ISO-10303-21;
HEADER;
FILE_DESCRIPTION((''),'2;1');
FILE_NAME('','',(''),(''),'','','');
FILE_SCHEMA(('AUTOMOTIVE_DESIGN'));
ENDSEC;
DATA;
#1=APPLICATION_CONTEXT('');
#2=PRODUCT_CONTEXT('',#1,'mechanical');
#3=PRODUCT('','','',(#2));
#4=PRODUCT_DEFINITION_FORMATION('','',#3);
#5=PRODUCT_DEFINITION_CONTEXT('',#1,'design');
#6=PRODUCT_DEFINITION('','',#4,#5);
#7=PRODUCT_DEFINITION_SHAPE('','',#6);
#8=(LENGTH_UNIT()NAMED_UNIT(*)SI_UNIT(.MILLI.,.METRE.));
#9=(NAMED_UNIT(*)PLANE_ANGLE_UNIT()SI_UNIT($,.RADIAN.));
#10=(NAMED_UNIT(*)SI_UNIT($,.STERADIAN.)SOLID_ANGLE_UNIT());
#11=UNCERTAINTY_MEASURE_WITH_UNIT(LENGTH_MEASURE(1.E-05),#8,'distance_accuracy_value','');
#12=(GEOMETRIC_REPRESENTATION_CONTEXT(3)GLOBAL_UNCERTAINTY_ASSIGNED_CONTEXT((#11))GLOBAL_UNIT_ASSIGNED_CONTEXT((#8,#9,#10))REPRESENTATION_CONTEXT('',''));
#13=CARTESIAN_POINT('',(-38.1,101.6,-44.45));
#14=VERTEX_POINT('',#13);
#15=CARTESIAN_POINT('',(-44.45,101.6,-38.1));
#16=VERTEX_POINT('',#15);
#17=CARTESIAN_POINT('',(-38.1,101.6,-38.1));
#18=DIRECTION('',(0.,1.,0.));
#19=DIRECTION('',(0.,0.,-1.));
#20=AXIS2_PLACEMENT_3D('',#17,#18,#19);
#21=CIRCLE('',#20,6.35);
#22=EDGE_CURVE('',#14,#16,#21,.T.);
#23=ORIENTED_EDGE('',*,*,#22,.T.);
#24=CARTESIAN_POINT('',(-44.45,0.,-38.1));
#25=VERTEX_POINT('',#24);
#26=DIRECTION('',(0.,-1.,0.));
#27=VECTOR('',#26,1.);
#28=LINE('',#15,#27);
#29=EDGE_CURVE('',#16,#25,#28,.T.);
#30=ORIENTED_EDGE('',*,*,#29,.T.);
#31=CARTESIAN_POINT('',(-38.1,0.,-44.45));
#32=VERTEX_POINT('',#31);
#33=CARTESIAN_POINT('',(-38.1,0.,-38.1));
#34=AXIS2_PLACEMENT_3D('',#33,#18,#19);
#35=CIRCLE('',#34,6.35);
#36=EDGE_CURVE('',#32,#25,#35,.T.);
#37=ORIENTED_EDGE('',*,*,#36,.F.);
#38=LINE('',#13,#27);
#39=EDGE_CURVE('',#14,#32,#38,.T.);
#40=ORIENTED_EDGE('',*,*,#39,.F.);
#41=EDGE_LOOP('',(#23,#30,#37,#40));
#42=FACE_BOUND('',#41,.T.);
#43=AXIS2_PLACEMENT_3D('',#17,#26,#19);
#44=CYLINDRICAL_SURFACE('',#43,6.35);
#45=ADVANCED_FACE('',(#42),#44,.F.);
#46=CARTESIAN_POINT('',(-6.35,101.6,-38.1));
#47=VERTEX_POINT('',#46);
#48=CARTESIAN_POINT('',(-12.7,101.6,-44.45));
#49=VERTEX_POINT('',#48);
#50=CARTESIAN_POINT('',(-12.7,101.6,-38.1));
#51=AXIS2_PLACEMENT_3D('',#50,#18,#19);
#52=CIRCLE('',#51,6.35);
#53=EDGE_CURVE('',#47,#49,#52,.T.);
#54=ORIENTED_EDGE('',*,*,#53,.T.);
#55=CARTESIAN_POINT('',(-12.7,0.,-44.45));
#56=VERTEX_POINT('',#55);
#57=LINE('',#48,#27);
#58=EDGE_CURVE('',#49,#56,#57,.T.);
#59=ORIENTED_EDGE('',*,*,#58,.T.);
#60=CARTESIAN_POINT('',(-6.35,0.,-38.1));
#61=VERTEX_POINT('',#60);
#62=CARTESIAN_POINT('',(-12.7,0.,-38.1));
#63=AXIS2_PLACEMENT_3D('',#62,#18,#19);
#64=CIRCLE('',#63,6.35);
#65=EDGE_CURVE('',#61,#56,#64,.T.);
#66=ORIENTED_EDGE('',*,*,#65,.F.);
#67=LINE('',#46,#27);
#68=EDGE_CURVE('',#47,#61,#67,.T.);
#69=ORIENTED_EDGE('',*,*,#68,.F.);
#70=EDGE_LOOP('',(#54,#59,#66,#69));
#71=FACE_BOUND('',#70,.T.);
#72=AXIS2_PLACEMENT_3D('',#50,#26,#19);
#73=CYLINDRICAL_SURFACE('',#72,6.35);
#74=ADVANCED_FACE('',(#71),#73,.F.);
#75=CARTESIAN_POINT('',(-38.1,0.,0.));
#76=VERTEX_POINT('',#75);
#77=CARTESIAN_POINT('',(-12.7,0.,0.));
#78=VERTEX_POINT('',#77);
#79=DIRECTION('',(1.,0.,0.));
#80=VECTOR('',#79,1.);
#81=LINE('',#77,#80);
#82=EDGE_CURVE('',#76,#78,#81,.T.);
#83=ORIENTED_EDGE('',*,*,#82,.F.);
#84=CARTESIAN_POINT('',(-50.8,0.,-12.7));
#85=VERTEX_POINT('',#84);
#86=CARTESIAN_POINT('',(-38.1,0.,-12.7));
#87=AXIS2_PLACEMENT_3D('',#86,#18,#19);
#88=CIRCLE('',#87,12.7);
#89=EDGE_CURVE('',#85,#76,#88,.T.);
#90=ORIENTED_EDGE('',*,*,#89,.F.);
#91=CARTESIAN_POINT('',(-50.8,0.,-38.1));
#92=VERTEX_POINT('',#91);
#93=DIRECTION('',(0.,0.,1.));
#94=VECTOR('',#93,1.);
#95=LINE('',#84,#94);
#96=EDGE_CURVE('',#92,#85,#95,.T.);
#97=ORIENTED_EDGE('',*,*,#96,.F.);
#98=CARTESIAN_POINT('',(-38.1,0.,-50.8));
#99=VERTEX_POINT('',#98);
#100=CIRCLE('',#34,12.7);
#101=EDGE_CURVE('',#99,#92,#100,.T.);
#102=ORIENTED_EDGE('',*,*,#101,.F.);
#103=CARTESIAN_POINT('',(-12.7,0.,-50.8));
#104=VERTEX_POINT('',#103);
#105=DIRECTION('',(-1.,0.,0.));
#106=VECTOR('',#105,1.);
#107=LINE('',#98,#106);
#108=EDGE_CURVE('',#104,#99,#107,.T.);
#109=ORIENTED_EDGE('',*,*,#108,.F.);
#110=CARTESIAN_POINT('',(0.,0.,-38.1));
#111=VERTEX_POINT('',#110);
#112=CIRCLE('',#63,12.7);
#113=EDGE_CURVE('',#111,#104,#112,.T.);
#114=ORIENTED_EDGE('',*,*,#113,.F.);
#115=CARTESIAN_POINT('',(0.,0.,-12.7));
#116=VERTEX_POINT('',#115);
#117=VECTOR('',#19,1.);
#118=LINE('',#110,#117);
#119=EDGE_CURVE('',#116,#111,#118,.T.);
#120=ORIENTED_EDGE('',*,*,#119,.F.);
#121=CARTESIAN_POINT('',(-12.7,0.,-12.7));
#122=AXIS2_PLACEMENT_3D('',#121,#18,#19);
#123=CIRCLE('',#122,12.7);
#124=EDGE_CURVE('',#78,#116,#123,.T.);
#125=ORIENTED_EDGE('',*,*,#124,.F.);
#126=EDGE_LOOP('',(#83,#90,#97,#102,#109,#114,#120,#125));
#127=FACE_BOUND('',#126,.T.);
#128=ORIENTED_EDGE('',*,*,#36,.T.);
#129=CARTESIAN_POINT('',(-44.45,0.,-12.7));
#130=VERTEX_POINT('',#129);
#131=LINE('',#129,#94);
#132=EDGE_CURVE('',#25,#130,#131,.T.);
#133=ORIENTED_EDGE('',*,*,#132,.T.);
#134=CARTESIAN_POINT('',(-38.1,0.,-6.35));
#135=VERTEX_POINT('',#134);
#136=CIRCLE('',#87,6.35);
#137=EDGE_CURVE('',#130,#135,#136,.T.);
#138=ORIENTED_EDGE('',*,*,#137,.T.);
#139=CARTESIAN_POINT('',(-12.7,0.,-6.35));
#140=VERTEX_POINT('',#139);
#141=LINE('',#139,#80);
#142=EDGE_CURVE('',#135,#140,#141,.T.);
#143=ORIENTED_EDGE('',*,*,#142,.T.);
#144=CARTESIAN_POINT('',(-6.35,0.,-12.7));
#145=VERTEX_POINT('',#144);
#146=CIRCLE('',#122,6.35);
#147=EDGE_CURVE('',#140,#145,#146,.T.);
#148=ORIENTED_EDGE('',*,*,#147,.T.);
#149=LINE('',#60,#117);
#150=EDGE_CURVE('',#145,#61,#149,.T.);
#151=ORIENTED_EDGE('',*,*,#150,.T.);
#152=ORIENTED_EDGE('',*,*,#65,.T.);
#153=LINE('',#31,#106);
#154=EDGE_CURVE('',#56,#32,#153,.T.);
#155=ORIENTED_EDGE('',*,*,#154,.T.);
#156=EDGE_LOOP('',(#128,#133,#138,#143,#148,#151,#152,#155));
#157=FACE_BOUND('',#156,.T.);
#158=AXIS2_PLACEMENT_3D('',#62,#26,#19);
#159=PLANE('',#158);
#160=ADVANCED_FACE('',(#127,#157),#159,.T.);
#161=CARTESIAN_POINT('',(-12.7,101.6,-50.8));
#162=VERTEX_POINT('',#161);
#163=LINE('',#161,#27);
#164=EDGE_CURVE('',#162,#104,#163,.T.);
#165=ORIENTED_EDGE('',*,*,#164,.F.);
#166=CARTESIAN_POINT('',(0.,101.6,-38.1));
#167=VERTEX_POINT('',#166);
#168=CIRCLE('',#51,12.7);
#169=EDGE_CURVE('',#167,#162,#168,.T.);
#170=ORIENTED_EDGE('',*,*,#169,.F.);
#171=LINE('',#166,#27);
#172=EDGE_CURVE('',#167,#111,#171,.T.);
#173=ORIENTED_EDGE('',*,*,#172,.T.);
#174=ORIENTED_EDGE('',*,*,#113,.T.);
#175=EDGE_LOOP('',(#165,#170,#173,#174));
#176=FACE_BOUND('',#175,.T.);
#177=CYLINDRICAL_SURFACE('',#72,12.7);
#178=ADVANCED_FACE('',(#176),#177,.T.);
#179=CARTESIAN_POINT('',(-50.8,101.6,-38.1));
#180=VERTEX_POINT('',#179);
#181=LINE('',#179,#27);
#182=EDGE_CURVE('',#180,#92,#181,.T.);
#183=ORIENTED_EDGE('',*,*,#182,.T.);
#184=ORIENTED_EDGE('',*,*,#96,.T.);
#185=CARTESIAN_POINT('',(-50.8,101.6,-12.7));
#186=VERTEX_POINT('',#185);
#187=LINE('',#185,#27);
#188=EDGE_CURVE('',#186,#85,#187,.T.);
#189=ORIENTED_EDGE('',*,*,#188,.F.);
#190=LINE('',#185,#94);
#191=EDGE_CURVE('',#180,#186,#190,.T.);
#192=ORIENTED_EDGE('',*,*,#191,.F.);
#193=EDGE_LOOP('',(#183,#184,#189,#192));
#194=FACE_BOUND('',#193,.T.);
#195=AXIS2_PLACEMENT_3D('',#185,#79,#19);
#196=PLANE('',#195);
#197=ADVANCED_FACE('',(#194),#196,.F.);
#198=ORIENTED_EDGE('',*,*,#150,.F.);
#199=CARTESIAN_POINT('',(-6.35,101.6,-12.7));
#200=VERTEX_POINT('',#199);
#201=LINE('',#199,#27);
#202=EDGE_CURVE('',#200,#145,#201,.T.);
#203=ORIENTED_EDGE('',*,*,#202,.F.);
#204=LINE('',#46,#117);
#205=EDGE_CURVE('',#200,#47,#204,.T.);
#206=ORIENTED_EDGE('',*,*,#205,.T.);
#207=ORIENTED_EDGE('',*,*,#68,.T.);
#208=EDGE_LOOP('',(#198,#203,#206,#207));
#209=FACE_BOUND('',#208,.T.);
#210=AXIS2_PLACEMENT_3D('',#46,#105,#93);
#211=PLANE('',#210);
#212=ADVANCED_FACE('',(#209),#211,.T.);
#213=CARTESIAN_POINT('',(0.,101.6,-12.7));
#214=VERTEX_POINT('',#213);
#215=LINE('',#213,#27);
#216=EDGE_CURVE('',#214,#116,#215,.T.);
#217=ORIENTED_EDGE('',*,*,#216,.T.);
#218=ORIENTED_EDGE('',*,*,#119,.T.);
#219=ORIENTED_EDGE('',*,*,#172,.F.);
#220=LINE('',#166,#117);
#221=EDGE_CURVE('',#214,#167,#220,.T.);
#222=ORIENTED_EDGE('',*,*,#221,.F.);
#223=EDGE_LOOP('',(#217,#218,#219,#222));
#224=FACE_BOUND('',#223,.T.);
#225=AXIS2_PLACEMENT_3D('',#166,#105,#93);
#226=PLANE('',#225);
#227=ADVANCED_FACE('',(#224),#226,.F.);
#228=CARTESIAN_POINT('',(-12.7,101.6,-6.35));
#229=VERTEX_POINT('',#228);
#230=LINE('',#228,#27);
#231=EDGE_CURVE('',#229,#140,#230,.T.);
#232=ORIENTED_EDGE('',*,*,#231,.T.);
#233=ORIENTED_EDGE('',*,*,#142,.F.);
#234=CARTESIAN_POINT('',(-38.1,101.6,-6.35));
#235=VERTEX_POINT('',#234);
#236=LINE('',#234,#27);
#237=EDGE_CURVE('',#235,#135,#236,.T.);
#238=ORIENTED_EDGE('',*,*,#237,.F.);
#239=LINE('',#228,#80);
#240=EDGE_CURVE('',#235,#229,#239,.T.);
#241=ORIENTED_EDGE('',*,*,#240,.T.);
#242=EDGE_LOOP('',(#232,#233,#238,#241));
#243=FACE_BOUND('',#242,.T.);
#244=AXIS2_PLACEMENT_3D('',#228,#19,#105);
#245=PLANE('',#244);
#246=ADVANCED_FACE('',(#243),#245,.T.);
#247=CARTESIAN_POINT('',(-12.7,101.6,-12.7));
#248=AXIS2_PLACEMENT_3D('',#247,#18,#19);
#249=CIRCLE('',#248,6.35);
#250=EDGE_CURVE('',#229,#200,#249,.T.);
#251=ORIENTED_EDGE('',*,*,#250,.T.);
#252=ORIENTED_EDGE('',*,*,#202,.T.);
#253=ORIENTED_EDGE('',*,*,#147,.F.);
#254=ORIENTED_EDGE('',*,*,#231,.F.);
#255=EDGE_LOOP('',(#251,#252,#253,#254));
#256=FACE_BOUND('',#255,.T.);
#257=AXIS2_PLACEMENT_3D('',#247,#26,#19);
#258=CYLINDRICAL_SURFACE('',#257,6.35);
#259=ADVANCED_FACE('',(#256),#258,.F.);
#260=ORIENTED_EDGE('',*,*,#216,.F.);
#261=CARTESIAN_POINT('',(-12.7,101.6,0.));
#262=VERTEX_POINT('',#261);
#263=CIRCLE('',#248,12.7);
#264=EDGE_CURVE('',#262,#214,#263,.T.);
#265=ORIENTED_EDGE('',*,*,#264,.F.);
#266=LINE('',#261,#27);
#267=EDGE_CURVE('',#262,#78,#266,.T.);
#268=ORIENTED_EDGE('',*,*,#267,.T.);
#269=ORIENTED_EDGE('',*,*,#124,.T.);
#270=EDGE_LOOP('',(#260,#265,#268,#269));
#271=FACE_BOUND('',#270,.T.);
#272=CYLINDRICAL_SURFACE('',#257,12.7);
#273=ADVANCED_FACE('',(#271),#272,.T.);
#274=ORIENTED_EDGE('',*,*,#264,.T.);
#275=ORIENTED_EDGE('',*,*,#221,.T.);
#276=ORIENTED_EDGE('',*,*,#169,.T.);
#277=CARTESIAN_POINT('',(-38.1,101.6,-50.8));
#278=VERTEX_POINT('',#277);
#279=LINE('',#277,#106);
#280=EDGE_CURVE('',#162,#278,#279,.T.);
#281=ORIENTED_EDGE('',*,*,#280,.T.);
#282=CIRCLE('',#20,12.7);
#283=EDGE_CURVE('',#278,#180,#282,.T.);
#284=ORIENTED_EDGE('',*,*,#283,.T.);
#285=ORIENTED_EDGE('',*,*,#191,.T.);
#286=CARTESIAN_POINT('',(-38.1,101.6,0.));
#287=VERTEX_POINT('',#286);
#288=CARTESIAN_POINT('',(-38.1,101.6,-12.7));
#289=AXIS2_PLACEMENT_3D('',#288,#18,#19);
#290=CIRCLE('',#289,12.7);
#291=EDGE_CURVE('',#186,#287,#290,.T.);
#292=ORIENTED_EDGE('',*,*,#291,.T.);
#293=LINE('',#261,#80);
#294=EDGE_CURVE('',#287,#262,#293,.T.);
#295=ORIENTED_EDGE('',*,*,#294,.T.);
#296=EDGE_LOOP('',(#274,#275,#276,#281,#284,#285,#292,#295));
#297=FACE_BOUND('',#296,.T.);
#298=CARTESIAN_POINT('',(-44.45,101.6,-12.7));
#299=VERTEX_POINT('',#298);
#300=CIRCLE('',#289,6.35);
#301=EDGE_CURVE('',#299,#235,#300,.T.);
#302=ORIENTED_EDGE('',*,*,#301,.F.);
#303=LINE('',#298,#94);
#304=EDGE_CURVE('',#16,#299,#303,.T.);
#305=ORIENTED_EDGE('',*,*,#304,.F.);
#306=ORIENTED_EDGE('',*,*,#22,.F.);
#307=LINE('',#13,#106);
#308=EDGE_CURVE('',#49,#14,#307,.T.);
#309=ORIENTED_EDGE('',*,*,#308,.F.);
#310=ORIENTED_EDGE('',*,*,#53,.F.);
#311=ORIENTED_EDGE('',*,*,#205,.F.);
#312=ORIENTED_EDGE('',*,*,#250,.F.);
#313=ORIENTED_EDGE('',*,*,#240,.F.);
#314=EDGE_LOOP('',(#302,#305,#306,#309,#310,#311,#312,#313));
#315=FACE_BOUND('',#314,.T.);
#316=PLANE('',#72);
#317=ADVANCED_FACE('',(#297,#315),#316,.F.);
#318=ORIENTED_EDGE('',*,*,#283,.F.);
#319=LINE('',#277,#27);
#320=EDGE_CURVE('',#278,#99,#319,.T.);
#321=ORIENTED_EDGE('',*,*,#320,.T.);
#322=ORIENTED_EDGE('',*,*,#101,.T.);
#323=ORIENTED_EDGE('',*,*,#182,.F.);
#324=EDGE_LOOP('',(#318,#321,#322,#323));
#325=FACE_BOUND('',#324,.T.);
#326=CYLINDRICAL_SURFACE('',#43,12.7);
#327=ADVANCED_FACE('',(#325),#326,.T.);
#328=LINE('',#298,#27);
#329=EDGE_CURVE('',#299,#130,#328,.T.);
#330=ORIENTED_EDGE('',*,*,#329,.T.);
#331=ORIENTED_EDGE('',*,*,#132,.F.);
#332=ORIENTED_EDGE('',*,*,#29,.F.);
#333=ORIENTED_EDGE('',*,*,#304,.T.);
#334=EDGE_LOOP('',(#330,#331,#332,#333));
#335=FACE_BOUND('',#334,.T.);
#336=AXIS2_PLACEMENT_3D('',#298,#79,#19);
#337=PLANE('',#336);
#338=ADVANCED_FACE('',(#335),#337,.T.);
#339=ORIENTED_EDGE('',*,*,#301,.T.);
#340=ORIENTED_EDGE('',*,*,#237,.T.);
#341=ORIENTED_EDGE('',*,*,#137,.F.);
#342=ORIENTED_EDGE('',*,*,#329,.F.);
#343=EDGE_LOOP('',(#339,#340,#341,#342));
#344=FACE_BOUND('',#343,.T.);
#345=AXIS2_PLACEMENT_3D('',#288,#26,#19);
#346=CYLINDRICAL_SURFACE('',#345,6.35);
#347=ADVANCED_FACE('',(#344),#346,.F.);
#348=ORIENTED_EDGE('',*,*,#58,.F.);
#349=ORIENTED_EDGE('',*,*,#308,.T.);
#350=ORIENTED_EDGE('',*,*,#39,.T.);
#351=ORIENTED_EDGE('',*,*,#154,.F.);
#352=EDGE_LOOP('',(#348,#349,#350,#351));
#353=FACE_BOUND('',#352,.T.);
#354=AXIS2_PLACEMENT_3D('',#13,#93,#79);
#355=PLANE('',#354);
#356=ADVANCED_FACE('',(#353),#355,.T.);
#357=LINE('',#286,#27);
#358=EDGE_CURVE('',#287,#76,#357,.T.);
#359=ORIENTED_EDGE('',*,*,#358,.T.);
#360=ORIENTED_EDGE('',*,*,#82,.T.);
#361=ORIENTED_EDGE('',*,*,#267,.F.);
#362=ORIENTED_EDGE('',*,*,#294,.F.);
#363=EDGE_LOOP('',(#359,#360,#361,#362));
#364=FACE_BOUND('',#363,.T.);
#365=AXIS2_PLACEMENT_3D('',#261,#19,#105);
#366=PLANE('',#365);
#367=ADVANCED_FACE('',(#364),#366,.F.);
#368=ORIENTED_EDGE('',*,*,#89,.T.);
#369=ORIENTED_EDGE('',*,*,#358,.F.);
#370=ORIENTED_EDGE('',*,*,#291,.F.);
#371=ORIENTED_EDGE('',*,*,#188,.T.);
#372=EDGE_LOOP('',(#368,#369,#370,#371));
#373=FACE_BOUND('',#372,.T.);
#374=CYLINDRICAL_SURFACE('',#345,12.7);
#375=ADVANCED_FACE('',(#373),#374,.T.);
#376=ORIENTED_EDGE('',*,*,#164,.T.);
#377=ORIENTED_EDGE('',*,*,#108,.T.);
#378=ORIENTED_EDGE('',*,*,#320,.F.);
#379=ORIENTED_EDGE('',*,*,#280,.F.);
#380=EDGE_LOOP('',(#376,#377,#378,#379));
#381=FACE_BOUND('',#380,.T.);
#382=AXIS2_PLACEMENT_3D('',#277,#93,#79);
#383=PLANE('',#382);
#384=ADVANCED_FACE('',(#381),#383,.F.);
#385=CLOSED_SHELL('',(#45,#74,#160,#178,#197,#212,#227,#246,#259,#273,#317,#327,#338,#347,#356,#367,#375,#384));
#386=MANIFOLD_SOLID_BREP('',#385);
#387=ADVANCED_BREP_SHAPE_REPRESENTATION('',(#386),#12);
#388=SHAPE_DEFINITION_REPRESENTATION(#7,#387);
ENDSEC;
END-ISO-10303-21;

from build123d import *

# Parameters (mm, degrees)
BOSS_EXTRUDE1_DEPTH = 101.6


with BuildPart() as part:
    # Sketch1 → Boss-Extrude1 (new body)
    with BuildSketch(Plane(origin=(0, 0, 0), x_dir=(1, 0, 0), z_dir=(0, 1, 0))):
        with BuildLine():
            Line((-12.7, 0), (-38.1, 0))
            ThreePointArc((-38.1, 0), (-47.080256121, 3.719743879), (-50.8, 12.7))
            Line((-50.8, 12.7), (-50.8, 38.1))
            ThreePointArc((-50.8, 38.1), (-47.080256121, 47.080256121), (-38.1, 50.8))
            Line((-38.1, 50.8), (-12.7, 50.8))
            ThreePointArc((-12.7, 50.8), (-3.719743879, 47.080256121), (0, 38.1))
            Line((0, 38.1), (0, 12.7))
            ThreePointArc((0, 12.7), (-3.719743879, 3.719743879), (-12.7, 0))
        make_face()
        with BuildLine():
            Line((-12.7, 6.35), (-38.1, 6.35))
            ThreePointArc((-38.1, 6.35), (-42.590128061, 8.209871939), (-44.45, 12.7))
            Line((-44.45, 12.7), (-44.45, 38.1))
            ThreePointArc((-44.45, 38.1), (-42.590128061, 42.590128061), (-38.1, 44.45))
            Line((-38.1, 44.45), (-12.7, 44.45))
            ThreePointArc((-12.7, 44.45), (-8.209871939, 42.590128061), (-6.35, 38.1))
            Line((-6.35, 38.1), (-6.35, 12.7))
            ThreePointArc((-6.35, 12.7), (-8.209871939, 8.209871939), (-12.7, 6.35))
        make_face(mode=Mode.SUBTRACT)
    extrude(amount=BOSS_EXTRUDE1_DEPTH)


solid = part.part
